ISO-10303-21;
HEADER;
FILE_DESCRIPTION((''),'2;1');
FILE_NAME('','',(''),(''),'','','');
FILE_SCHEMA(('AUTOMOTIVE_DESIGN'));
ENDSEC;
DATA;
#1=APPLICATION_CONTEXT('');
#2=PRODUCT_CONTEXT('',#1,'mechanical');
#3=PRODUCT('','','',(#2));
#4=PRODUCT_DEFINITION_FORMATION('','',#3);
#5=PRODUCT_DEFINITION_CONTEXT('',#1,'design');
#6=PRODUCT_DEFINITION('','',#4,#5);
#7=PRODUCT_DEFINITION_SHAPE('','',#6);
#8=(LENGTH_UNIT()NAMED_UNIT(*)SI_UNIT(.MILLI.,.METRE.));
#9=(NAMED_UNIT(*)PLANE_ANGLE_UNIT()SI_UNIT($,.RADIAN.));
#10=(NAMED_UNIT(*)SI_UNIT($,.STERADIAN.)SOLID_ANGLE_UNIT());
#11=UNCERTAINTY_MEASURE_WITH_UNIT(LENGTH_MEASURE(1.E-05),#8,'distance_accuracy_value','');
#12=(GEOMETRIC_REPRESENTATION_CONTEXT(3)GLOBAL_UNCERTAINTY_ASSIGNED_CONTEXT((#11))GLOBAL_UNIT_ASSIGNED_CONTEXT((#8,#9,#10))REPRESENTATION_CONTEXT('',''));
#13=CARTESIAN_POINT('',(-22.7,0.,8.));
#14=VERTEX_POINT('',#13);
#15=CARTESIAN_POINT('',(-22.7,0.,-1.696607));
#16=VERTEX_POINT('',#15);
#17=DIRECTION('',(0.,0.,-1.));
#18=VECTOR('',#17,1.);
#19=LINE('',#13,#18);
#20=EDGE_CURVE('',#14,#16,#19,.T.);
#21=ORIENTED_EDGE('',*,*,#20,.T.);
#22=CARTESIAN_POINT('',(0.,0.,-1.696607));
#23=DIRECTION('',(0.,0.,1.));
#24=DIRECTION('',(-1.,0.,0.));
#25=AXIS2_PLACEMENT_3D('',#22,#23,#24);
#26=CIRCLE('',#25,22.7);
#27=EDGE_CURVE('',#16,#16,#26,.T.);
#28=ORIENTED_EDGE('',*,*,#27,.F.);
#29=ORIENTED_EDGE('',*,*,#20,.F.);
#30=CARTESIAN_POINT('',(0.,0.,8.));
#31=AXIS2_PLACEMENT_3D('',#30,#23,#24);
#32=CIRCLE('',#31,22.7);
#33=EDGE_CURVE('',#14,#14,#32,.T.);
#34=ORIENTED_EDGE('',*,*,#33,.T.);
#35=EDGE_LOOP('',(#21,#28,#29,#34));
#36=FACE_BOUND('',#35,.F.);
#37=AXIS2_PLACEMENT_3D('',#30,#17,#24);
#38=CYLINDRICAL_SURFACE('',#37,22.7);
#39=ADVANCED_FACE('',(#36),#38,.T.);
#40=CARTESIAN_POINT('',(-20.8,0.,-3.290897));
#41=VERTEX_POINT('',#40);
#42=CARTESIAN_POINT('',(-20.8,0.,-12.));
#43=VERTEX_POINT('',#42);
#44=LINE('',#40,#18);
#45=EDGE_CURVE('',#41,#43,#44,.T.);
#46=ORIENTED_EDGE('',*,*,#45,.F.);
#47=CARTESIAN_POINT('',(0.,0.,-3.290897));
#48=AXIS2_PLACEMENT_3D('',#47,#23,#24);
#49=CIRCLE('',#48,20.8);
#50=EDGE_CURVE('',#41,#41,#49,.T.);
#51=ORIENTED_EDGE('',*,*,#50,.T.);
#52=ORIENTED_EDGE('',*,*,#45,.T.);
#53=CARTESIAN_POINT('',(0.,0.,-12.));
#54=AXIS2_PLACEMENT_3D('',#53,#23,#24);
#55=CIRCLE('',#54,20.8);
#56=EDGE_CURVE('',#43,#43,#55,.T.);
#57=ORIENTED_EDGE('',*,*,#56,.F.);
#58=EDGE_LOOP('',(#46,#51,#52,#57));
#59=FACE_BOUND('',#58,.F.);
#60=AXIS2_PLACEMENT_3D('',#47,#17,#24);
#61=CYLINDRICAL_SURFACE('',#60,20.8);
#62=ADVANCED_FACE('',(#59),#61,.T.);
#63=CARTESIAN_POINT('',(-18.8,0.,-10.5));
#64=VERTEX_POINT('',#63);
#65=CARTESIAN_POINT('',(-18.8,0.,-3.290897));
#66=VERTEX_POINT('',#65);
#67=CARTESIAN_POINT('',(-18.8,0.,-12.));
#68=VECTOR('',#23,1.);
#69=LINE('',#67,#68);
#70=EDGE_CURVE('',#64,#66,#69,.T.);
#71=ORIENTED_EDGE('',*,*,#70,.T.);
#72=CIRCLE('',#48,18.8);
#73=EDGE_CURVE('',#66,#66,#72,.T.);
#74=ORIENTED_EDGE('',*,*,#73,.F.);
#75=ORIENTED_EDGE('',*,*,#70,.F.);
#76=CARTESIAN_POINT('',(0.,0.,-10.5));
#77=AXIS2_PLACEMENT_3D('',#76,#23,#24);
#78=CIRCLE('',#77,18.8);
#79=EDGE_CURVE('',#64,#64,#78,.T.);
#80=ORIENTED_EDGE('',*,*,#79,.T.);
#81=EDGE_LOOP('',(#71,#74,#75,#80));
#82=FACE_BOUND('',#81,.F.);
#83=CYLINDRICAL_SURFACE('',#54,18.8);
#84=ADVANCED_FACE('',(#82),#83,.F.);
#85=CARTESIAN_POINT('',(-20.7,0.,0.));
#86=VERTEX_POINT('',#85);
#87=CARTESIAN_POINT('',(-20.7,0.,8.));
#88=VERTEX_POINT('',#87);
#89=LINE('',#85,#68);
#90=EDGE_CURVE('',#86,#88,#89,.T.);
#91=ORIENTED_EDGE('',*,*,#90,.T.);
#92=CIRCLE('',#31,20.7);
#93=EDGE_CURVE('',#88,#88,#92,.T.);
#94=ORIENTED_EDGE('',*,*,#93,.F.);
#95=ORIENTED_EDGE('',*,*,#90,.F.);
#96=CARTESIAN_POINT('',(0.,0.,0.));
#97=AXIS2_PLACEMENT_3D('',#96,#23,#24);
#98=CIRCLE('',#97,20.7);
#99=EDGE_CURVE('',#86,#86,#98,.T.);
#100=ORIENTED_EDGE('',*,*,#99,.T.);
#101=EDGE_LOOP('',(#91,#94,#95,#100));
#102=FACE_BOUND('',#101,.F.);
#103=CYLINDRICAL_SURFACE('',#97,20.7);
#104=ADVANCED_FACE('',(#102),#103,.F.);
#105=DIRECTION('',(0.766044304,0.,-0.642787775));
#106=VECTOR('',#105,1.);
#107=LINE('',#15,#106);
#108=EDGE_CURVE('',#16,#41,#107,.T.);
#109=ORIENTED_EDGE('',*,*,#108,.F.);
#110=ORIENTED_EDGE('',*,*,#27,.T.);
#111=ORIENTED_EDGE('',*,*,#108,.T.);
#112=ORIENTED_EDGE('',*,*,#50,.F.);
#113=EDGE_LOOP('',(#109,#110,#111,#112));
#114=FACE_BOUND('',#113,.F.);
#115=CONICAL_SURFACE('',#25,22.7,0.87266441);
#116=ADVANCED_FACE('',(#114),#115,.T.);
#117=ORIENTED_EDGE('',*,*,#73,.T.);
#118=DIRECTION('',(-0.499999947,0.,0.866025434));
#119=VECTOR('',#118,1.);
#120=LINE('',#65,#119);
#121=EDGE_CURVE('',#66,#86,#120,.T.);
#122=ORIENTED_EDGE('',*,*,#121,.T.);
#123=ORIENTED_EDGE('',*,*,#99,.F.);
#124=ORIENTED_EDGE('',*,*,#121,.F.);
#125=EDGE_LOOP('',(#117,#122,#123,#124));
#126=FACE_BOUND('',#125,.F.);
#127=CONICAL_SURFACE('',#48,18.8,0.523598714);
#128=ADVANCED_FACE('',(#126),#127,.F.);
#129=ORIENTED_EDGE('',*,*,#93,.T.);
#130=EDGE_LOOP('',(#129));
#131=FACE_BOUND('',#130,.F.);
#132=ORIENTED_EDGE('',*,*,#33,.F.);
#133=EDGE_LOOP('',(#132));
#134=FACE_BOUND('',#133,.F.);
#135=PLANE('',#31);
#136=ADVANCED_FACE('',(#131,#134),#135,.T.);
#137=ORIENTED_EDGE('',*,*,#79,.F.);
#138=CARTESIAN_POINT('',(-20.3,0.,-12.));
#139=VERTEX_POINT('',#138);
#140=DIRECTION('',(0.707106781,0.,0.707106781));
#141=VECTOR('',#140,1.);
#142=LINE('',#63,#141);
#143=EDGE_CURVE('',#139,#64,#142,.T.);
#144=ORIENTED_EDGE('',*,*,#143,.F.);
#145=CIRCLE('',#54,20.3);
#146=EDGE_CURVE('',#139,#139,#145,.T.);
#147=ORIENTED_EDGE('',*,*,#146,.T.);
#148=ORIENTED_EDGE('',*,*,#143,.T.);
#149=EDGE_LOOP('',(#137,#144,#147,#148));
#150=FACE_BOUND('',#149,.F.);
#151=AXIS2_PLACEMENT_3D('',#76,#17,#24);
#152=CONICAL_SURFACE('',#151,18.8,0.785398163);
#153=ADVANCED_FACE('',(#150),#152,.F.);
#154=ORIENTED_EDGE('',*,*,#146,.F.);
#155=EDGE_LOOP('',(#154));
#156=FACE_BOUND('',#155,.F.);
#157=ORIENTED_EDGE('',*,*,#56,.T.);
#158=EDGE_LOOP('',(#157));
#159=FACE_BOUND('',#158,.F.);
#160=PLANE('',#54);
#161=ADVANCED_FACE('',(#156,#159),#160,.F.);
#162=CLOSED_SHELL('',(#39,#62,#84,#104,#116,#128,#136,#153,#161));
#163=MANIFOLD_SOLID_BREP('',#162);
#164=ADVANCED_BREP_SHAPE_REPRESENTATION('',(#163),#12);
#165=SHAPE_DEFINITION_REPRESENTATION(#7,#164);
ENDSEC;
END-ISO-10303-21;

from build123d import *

# Parameters (mm, degrees)
F2_SIZE = 1.5


with BuildPart() as f1:
    # F0 (on Front) → F1 (revolve)
    with BuildSketch(Plane.XZ):
        Polygon((-20.7, 8), (-22.7, 8), (-22.7, -1.696607), (-20.8, -3.290897), (-20.8, -12), (-18.8, -12), (-18.8, -3.290897), (-20.7, 0), align=None)
    revolve(axis=Axis((0, 0, 4.153483), (0, 0, 1)))

    # F2
    f2_edges = [f1.edges().sort_by_distance(p)[0] for p in [
        (18.8, 0, -12),
    ]]
    chamfer(f2_edges, length=F2_SIZE)


solid = f1.part
